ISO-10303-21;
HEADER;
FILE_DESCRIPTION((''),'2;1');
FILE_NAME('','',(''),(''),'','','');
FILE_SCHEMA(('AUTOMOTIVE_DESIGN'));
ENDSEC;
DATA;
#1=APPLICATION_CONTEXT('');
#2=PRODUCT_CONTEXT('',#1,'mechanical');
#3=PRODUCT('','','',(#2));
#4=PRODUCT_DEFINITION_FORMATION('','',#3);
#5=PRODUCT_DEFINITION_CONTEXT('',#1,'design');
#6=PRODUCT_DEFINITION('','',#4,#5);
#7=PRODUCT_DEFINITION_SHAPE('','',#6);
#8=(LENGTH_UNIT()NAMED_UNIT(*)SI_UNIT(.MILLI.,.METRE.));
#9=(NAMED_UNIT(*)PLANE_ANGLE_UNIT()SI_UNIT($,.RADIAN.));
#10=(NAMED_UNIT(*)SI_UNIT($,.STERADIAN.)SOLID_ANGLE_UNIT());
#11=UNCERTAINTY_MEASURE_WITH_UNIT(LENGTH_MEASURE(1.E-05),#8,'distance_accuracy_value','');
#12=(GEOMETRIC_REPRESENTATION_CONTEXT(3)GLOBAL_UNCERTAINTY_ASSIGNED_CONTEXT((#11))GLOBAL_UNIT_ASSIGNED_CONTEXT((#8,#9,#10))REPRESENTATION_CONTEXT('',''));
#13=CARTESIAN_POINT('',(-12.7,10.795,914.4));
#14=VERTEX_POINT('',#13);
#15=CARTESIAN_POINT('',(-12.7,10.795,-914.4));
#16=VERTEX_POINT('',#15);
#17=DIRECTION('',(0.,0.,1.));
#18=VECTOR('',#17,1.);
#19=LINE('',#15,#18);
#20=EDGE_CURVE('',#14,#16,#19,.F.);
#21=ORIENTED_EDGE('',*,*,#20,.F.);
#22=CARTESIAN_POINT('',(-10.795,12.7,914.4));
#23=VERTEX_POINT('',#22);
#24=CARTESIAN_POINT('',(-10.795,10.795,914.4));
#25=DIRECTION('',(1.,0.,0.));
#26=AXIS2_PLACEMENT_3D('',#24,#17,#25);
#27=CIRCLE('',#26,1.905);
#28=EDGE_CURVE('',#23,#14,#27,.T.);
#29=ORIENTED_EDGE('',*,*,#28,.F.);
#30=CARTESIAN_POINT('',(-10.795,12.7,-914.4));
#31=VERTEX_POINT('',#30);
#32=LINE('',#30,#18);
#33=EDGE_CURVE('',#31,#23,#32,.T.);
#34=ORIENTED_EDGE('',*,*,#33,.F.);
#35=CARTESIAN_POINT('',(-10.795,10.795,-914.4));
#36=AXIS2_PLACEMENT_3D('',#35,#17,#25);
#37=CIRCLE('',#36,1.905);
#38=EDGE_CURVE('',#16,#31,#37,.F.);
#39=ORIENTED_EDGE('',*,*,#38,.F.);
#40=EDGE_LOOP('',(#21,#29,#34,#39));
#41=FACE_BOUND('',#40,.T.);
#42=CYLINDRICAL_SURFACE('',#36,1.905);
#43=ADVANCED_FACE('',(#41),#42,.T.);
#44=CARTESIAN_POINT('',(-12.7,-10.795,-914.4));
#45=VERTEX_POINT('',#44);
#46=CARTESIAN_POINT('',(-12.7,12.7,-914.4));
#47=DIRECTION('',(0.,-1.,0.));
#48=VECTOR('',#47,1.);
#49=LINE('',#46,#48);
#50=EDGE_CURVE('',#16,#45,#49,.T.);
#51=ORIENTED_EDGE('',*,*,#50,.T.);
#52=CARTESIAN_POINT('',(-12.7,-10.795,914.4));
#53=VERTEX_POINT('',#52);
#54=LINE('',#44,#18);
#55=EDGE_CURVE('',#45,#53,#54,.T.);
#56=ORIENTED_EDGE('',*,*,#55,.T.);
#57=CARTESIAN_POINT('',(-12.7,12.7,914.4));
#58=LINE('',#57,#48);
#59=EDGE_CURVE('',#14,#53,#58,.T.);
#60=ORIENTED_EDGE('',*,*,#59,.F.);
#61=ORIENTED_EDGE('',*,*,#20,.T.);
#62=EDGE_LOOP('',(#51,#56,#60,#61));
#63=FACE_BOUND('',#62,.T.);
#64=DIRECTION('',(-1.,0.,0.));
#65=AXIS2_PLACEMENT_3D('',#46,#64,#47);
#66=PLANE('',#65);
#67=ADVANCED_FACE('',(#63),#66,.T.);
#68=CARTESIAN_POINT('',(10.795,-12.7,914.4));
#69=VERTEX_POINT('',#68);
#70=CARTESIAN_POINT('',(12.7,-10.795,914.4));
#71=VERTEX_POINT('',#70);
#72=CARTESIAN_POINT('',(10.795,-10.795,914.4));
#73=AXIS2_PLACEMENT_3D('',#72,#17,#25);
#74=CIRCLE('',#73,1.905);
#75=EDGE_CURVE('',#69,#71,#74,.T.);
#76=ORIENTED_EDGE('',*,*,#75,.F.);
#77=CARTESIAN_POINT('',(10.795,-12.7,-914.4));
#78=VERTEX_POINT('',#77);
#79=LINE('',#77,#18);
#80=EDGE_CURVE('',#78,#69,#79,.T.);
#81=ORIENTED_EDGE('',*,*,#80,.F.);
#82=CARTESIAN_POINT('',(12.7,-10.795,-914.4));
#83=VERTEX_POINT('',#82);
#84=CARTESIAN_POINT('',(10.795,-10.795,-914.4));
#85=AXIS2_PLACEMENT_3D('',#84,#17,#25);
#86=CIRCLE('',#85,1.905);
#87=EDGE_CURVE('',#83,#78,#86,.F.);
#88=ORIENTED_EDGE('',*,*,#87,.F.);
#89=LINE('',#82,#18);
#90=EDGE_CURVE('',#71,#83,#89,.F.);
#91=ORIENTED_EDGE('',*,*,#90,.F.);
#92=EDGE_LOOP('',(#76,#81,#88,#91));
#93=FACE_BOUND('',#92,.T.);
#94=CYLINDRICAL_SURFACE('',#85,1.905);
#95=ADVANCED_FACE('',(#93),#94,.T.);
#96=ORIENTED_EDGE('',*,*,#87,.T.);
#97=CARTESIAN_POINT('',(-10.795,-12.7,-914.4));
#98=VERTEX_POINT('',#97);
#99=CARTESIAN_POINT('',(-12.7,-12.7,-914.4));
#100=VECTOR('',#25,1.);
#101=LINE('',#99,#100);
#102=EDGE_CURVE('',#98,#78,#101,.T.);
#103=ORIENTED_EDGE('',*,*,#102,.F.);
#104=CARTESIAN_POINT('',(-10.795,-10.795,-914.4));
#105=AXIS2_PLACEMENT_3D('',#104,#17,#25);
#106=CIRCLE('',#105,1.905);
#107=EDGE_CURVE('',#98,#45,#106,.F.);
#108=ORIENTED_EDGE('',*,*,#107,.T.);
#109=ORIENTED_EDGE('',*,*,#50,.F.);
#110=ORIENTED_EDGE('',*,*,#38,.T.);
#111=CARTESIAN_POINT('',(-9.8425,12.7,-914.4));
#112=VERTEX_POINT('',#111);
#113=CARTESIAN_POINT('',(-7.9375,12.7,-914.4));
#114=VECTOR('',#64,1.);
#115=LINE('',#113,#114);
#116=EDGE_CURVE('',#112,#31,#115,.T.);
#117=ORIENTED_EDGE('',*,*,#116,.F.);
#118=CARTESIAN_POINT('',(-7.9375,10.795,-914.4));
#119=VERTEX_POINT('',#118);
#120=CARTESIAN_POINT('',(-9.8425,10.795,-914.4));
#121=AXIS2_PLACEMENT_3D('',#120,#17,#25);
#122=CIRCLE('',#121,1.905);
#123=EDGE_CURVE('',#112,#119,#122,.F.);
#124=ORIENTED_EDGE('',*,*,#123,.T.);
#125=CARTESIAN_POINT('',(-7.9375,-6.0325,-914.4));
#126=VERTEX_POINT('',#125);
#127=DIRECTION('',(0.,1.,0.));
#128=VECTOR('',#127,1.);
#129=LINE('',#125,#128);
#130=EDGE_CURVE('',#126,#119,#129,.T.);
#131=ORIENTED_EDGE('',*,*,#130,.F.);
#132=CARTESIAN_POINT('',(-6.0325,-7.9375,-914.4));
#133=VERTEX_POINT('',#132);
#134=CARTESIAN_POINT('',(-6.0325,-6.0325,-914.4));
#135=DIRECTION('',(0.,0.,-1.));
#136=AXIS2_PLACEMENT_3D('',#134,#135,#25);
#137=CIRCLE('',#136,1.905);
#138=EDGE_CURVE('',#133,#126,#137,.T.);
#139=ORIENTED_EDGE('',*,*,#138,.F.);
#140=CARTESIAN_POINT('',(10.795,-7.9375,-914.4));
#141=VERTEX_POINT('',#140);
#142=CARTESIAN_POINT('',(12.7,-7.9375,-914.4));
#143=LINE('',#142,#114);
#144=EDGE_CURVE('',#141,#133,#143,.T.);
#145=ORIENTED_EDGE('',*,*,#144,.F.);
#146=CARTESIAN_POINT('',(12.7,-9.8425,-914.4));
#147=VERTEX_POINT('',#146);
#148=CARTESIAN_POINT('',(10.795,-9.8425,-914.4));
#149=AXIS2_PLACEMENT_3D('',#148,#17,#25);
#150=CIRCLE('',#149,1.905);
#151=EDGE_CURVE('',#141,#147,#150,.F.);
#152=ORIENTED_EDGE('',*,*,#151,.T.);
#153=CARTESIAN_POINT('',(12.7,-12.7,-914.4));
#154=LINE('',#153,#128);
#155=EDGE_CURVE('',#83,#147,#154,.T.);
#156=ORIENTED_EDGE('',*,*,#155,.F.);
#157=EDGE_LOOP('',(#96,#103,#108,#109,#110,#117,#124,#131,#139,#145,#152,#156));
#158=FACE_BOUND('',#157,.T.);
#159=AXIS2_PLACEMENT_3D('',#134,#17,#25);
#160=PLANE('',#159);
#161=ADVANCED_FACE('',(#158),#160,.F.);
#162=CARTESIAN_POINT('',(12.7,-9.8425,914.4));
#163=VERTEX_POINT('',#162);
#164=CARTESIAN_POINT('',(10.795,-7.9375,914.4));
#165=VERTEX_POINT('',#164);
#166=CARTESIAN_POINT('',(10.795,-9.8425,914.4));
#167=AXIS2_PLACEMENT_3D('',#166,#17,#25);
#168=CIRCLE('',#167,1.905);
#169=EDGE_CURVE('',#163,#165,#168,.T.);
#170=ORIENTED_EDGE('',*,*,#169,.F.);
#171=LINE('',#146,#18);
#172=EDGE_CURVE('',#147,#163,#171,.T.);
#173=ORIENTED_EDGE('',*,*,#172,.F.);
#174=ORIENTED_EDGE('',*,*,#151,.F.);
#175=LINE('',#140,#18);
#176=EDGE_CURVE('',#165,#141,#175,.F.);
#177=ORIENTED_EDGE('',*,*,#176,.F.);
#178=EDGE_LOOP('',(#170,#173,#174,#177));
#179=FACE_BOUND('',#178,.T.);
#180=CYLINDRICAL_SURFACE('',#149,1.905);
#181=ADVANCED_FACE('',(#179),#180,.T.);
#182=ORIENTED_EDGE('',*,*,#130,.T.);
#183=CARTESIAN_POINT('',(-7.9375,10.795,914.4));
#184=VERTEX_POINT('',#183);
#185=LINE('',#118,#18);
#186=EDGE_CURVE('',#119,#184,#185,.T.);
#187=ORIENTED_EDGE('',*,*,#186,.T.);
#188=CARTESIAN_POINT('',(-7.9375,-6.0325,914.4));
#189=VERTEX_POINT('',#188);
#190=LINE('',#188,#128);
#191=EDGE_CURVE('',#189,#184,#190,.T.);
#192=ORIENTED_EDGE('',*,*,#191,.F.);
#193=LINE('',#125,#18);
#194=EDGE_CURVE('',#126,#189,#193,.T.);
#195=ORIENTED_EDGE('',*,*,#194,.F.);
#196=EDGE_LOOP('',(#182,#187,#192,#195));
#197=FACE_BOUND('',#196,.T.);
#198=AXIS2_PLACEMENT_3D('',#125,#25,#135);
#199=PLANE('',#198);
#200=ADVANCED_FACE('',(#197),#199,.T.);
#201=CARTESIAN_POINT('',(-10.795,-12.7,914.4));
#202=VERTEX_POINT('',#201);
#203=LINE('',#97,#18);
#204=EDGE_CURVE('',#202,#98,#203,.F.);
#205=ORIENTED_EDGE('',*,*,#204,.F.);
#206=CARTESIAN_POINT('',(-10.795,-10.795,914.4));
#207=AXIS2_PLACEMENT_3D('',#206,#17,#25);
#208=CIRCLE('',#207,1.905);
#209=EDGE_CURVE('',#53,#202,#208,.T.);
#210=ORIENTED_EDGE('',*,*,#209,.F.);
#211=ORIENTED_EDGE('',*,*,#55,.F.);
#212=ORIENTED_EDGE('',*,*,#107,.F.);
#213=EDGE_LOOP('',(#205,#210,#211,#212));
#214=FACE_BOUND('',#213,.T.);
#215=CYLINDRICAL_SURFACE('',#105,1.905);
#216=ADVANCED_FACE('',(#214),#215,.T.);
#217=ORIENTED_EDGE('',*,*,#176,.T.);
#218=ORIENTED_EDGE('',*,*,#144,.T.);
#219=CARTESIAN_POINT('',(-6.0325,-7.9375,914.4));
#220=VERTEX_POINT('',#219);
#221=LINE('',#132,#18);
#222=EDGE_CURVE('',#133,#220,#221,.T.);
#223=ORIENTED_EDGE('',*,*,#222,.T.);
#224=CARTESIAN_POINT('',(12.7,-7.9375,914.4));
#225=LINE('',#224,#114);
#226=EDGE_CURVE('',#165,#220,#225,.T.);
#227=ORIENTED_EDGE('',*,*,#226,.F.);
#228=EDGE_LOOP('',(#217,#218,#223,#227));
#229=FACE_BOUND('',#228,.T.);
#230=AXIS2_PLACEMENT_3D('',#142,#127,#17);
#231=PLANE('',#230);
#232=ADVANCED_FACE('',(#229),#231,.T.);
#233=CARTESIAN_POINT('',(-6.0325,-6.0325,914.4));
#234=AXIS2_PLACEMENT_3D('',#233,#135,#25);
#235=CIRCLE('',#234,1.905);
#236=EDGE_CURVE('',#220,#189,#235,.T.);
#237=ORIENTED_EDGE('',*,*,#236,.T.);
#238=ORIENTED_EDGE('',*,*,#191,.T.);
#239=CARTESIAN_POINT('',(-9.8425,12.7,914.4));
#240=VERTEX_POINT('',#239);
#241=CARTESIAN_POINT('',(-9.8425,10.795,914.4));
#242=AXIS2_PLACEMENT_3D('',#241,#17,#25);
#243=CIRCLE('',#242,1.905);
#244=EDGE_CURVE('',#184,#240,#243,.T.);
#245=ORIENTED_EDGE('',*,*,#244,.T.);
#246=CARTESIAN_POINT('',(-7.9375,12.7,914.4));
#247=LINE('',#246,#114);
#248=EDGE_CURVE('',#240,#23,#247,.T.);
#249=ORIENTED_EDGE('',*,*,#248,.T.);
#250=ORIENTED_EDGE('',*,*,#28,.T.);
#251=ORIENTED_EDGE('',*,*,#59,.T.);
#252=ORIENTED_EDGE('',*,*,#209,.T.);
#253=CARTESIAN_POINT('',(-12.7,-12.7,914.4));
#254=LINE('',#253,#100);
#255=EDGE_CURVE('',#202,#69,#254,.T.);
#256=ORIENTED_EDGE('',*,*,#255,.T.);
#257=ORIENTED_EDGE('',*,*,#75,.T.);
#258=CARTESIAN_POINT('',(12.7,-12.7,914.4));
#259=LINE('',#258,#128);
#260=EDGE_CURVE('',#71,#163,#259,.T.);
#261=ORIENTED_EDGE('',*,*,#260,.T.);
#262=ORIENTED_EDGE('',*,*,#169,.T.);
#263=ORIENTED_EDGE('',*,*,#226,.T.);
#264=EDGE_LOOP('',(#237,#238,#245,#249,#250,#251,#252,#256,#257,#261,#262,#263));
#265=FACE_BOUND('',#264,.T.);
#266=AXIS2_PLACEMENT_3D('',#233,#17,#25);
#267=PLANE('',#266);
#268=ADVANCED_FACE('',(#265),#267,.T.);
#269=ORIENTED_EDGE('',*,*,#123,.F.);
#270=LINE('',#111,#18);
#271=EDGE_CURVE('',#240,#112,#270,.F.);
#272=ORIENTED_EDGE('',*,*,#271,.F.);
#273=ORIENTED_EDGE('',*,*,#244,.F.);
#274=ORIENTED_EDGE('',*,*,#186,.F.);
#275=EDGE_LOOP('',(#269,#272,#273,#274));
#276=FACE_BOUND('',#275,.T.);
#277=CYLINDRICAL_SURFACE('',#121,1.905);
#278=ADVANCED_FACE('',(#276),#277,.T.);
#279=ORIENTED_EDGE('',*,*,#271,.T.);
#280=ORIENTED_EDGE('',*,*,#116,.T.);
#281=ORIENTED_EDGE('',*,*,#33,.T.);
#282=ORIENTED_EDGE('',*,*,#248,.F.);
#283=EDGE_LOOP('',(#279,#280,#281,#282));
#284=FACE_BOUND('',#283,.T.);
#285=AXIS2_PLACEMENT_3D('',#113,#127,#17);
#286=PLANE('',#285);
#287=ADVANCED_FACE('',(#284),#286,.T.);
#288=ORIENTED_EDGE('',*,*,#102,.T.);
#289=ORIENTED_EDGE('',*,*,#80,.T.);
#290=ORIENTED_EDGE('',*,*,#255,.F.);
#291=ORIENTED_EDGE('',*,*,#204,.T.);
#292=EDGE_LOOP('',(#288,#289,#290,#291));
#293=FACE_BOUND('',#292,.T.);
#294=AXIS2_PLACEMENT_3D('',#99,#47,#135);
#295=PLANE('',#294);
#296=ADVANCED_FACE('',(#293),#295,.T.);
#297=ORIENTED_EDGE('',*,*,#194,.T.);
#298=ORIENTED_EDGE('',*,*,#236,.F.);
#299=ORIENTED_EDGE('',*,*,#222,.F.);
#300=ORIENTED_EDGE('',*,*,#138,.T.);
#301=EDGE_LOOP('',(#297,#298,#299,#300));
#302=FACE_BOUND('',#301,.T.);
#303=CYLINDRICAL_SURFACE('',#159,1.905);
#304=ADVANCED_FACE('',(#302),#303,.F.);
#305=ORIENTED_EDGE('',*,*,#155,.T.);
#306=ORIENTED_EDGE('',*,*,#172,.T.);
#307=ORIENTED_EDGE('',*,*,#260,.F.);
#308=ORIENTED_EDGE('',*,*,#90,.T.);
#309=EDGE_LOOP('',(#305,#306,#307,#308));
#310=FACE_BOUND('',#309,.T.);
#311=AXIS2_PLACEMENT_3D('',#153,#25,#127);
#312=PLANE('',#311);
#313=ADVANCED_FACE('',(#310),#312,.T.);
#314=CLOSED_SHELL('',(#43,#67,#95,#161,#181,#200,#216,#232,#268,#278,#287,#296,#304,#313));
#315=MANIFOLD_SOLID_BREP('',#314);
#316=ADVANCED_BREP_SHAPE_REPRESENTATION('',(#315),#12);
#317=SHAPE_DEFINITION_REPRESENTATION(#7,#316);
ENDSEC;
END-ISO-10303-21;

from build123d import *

# Parameters (mm, degrees)
BOSS_EXTRUDE1_DEPTH      = 914.4
BOSS_EXTRUDE1_DEPTH_BACK = 914.4
FILLET1_R                = 1.905


with BuildPart() as part:
    # Sketch4 → Boss-Extrude1 (new body, two sides)
    with BuildSketch(Plane.XY) as boss_extrude1_sk:
        with BuildLine():
            Line((-7.9375, -6.0325), (-7.9375, 12.7))
            Line((-7.9375, 12.7), (-12.7, 12.7))
            Line((-12.7, 12.7), (-12.7, -12.7))
            Line((-12.7, -12.7), (12.7, -12.7))
            Line((12.7, -12.7), (12.7, -7.9375))
            Line((12.7, -7.9375), (-6.0325, -7.9375))
            ThreePointArc((-6.0325, -7.9375), (-7.379538418, -7.379538418), (-7.9375, -6.0325))
        make_face()
    extrude(amount=BOSS_EXTRUDE1_DEPTH)
    extrude(boss_extrude1_sk.sketch, amount=-BOSS_EXTRUDE1_DEPTH_BACK)

    # Fillet1
    fillet1_edges = [part.edges().sort_by_distance(p)[0] for p in [
        (-7.9375, 12.7, 0),
        (12.7, -7.9375, 0),
        (12.7, -12.7, 0),
        (-12.7, -12.7, 0),
        (-12.7, 12.7, 0),
    ]]
    fillet(fillet1_edges, radius=FILLET1_R)


solid = part.part
